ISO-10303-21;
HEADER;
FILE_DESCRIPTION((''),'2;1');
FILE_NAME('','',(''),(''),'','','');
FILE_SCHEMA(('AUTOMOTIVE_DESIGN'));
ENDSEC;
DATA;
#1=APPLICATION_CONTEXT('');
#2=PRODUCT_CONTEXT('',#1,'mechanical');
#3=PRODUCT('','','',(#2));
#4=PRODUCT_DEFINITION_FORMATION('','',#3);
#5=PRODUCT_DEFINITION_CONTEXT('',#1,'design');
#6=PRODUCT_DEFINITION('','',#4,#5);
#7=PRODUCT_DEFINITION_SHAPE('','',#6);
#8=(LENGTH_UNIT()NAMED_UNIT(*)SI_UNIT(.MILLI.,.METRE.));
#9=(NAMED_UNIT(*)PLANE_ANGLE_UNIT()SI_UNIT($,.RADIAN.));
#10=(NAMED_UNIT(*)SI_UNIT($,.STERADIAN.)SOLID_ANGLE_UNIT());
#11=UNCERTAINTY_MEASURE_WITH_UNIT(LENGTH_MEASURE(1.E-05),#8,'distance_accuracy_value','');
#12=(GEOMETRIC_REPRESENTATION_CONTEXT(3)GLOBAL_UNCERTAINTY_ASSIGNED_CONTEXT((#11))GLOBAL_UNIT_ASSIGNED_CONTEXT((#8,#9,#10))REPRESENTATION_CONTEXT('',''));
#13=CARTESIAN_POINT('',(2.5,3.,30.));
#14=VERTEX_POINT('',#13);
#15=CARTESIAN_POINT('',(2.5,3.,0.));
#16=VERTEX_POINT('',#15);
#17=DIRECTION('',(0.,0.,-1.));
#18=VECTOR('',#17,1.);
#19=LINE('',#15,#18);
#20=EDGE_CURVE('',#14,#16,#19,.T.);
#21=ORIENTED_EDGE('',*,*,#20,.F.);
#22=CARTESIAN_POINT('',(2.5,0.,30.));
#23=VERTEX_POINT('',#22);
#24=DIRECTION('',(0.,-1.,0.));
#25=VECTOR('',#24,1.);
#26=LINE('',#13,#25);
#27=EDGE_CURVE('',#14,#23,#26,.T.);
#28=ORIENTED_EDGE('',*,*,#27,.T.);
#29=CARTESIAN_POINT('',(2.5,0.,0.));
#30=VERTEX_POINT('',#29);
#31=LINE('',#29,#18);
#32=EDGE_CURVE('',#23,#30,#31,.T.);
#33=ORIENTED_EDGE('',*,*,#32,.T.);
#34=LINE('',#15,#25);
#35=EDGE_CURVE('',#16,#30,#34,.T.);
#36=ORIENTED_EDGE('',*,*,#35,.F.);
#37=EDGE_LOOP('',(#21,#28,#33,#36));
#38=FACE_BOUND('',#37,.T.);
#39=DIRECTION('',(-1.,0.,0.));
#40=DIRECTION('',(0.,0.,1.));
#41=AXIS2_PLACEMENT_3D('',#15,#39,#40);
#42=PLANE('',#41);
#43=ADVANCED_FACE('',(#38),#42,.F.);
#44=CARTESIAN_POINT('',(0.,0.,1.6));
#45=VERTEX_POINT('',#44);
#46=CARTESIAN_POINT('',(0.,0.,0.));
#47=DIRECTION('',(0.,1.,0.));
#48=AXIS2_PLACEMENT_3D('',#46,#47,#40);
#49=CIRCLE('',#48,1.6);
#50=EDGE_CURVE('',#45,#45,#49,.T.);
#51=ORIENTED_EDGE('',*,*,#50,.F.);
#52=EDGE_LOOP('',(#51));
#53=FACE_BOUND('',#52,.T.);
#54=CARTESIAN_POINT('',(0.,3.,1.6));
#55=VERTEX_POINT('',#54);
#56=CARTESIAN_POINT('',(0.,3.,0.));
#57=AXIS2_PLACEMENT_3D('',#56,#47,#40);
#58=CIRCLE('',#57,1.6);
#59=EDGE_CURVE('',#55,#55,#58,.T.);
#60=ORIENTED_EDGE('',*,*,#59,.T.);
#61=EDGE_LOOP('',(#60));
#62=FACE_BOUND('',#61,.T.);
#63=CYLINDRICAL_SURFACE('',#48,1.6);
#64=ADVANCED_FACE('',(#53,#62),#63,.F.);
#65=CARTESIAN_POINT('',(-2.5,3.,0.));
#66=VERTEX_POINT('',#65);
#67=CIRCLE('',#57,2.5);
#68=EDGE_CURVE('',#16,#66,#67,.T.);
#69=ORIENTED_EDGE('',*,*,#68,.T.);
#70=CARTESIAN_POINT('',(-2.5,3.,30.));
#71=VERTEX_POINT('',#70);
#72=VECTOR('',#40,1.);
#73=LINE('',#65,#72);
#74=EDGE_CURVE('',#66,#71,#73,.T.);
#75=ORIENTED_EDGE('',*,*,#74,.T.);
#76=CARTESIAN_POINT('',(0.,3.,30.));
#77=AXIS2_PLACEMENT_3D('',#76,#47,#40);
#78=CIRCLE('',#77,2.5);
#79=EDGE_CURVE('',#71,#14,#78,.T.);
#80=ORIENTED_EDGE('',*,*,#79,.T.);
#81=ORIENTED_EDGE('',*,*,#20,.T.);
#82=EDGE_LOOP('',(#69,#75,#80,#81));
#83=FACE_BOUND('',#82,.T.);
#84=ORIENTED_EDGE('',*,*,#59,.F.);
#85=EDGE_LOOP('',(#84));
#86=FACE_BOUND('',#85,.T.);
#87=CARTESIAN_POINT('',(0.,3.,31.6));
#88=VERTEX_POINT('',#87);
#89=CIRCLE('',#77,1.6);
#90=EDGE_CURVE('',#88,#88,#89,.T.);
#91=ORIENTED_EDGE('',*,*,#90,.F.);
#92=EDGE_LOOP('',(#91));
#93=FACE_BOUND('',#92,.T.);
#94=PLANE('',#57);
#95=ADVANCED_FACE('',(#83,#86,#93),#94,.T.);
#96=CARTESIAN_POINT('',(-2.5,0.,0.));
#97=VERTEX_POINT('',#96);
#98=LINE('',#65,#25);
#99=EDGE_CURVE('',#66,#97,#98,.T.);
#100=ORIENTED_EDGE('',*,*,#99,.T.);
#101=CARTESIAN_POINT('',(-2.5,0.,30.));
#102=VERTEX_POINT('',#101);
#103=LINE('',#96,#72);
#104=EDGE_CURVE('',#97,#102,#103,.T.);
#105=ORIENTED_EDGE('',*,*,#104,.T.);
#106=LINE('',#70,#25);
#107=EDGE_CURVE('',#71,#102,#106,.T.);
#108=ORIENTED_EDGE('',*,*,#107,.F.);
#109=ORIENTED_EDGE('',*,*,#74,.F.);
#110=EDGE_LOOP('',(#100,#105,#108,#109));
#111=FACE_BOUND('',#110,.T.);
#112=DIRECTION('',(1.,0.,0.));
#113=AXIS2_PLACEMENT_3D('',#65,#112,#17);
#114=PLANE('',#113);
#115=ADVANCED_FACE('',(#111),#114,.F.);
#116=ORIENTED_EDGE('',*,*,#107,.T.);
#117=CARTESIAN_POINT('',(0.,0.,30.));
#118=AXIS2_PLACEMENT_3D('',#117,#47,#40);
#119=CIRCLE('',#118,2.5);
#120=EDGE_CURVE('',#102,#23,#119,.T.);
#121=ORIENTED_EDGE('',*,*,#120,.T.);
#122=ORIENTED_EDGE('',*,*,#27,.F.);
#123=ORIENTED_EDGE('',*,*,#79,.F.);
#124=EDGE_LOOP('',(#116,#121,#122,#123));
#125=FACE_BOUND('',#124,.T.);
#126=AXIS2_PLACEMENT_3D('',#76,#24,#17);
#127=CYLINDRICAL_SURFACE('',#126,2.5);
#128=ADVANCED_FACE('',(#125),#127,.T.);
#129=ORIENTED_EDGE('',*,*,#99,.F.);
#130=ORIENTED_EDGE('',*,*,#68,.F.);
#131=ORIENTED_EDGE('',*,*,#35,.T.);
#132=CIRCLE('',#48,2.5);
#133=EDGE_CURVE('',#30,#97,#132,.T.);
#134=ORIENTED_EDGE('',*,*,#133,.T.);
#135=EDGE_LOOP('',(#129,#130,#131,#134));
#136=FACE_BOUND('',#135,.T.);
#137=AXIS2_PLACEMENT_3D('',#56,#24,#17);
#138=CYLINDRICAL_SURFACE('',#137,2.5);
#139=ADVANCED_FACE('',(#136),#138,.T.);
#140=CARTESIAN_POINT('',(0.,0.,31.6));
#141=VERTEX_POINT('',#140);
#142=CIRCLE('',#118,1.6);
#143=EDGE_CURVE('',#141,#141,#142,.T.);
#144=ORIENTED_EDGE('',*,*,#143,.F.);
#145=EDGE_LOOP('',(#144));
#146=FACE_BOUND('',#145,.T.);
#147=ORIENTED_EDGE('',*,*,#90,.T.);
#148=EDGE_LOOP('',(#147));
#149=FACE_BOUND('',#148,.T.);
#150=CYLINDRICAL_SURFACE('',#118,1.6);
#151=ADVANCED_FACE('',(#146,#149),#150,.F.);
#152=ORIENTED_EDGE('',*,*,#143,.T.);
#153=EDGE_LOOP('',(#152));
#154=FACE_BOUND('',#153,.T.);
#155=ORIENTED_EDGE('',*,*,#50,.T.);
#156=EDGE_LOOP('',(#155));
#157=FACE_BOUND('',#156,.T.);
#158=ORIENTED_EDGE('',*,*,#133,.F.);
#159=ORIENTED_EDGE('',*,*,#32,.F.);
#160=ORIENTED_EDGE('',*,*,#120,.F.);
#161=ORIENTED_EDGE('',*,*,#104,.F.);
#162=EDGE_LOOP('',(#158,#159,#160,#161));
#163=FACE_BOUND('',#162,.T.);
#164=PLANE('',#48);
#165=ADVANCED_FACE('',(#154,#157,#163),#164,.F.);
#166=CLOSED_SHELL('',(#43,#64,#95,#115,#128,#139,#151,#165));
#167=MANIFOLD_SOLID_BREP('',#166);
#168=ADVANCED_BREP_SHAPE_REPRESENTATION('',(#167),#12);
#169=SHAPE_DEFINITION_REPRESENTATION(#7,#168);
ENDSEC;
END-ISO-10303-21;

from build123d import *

# Parameters (mm, degrees)
BOSS_EXTRUDE1_DEPTH = 3
SKETCH2_R           = 1.6
CUT_EXTRUDE1_DEPTH  = 33.733774607


with BuildPart() as part:
    # Sketch1 → Boss-Extrude1 (new body)
    with BuildSketch(Plane(origin=(0, 0, 0), x_dir=(1, 0, 0), z_dir=(0, 1, 0))):
        with BuildLine():
            Line((2.5, 0), (2.5, -30))
            ThreePointArc((2.5, -30), (0, -32.5), (-2.5, -30))
            Line((-2.5, -30), (-2.5, 0))
            ThreePointArc((-2.5, 0), (0, 2.5), (2.5, 0))
        make_face()
    extrude(amount=BOSS_EXTRUDE1_DEPTH)

    # Sketch2 → Cut-Extrude1 (cut, through all)
    with BuildSketch(Plane(origin=(0, 3, 0), x_dir=(1, 0, 0), z_dir=(0, 1, 0))):
        with Locations(Location((0, 0, 0), (0, 0, 270))):
            Circle(SKETCH2_R)
        with Locations(Location((0, -30, 0), (0, 0, 270))):
            Circle(SKETCH2_R)
    extrude(amount=-CUT_EXTRUDE1_DEPTH, mode=Mode.SUBTRACT)


solid = part.part
